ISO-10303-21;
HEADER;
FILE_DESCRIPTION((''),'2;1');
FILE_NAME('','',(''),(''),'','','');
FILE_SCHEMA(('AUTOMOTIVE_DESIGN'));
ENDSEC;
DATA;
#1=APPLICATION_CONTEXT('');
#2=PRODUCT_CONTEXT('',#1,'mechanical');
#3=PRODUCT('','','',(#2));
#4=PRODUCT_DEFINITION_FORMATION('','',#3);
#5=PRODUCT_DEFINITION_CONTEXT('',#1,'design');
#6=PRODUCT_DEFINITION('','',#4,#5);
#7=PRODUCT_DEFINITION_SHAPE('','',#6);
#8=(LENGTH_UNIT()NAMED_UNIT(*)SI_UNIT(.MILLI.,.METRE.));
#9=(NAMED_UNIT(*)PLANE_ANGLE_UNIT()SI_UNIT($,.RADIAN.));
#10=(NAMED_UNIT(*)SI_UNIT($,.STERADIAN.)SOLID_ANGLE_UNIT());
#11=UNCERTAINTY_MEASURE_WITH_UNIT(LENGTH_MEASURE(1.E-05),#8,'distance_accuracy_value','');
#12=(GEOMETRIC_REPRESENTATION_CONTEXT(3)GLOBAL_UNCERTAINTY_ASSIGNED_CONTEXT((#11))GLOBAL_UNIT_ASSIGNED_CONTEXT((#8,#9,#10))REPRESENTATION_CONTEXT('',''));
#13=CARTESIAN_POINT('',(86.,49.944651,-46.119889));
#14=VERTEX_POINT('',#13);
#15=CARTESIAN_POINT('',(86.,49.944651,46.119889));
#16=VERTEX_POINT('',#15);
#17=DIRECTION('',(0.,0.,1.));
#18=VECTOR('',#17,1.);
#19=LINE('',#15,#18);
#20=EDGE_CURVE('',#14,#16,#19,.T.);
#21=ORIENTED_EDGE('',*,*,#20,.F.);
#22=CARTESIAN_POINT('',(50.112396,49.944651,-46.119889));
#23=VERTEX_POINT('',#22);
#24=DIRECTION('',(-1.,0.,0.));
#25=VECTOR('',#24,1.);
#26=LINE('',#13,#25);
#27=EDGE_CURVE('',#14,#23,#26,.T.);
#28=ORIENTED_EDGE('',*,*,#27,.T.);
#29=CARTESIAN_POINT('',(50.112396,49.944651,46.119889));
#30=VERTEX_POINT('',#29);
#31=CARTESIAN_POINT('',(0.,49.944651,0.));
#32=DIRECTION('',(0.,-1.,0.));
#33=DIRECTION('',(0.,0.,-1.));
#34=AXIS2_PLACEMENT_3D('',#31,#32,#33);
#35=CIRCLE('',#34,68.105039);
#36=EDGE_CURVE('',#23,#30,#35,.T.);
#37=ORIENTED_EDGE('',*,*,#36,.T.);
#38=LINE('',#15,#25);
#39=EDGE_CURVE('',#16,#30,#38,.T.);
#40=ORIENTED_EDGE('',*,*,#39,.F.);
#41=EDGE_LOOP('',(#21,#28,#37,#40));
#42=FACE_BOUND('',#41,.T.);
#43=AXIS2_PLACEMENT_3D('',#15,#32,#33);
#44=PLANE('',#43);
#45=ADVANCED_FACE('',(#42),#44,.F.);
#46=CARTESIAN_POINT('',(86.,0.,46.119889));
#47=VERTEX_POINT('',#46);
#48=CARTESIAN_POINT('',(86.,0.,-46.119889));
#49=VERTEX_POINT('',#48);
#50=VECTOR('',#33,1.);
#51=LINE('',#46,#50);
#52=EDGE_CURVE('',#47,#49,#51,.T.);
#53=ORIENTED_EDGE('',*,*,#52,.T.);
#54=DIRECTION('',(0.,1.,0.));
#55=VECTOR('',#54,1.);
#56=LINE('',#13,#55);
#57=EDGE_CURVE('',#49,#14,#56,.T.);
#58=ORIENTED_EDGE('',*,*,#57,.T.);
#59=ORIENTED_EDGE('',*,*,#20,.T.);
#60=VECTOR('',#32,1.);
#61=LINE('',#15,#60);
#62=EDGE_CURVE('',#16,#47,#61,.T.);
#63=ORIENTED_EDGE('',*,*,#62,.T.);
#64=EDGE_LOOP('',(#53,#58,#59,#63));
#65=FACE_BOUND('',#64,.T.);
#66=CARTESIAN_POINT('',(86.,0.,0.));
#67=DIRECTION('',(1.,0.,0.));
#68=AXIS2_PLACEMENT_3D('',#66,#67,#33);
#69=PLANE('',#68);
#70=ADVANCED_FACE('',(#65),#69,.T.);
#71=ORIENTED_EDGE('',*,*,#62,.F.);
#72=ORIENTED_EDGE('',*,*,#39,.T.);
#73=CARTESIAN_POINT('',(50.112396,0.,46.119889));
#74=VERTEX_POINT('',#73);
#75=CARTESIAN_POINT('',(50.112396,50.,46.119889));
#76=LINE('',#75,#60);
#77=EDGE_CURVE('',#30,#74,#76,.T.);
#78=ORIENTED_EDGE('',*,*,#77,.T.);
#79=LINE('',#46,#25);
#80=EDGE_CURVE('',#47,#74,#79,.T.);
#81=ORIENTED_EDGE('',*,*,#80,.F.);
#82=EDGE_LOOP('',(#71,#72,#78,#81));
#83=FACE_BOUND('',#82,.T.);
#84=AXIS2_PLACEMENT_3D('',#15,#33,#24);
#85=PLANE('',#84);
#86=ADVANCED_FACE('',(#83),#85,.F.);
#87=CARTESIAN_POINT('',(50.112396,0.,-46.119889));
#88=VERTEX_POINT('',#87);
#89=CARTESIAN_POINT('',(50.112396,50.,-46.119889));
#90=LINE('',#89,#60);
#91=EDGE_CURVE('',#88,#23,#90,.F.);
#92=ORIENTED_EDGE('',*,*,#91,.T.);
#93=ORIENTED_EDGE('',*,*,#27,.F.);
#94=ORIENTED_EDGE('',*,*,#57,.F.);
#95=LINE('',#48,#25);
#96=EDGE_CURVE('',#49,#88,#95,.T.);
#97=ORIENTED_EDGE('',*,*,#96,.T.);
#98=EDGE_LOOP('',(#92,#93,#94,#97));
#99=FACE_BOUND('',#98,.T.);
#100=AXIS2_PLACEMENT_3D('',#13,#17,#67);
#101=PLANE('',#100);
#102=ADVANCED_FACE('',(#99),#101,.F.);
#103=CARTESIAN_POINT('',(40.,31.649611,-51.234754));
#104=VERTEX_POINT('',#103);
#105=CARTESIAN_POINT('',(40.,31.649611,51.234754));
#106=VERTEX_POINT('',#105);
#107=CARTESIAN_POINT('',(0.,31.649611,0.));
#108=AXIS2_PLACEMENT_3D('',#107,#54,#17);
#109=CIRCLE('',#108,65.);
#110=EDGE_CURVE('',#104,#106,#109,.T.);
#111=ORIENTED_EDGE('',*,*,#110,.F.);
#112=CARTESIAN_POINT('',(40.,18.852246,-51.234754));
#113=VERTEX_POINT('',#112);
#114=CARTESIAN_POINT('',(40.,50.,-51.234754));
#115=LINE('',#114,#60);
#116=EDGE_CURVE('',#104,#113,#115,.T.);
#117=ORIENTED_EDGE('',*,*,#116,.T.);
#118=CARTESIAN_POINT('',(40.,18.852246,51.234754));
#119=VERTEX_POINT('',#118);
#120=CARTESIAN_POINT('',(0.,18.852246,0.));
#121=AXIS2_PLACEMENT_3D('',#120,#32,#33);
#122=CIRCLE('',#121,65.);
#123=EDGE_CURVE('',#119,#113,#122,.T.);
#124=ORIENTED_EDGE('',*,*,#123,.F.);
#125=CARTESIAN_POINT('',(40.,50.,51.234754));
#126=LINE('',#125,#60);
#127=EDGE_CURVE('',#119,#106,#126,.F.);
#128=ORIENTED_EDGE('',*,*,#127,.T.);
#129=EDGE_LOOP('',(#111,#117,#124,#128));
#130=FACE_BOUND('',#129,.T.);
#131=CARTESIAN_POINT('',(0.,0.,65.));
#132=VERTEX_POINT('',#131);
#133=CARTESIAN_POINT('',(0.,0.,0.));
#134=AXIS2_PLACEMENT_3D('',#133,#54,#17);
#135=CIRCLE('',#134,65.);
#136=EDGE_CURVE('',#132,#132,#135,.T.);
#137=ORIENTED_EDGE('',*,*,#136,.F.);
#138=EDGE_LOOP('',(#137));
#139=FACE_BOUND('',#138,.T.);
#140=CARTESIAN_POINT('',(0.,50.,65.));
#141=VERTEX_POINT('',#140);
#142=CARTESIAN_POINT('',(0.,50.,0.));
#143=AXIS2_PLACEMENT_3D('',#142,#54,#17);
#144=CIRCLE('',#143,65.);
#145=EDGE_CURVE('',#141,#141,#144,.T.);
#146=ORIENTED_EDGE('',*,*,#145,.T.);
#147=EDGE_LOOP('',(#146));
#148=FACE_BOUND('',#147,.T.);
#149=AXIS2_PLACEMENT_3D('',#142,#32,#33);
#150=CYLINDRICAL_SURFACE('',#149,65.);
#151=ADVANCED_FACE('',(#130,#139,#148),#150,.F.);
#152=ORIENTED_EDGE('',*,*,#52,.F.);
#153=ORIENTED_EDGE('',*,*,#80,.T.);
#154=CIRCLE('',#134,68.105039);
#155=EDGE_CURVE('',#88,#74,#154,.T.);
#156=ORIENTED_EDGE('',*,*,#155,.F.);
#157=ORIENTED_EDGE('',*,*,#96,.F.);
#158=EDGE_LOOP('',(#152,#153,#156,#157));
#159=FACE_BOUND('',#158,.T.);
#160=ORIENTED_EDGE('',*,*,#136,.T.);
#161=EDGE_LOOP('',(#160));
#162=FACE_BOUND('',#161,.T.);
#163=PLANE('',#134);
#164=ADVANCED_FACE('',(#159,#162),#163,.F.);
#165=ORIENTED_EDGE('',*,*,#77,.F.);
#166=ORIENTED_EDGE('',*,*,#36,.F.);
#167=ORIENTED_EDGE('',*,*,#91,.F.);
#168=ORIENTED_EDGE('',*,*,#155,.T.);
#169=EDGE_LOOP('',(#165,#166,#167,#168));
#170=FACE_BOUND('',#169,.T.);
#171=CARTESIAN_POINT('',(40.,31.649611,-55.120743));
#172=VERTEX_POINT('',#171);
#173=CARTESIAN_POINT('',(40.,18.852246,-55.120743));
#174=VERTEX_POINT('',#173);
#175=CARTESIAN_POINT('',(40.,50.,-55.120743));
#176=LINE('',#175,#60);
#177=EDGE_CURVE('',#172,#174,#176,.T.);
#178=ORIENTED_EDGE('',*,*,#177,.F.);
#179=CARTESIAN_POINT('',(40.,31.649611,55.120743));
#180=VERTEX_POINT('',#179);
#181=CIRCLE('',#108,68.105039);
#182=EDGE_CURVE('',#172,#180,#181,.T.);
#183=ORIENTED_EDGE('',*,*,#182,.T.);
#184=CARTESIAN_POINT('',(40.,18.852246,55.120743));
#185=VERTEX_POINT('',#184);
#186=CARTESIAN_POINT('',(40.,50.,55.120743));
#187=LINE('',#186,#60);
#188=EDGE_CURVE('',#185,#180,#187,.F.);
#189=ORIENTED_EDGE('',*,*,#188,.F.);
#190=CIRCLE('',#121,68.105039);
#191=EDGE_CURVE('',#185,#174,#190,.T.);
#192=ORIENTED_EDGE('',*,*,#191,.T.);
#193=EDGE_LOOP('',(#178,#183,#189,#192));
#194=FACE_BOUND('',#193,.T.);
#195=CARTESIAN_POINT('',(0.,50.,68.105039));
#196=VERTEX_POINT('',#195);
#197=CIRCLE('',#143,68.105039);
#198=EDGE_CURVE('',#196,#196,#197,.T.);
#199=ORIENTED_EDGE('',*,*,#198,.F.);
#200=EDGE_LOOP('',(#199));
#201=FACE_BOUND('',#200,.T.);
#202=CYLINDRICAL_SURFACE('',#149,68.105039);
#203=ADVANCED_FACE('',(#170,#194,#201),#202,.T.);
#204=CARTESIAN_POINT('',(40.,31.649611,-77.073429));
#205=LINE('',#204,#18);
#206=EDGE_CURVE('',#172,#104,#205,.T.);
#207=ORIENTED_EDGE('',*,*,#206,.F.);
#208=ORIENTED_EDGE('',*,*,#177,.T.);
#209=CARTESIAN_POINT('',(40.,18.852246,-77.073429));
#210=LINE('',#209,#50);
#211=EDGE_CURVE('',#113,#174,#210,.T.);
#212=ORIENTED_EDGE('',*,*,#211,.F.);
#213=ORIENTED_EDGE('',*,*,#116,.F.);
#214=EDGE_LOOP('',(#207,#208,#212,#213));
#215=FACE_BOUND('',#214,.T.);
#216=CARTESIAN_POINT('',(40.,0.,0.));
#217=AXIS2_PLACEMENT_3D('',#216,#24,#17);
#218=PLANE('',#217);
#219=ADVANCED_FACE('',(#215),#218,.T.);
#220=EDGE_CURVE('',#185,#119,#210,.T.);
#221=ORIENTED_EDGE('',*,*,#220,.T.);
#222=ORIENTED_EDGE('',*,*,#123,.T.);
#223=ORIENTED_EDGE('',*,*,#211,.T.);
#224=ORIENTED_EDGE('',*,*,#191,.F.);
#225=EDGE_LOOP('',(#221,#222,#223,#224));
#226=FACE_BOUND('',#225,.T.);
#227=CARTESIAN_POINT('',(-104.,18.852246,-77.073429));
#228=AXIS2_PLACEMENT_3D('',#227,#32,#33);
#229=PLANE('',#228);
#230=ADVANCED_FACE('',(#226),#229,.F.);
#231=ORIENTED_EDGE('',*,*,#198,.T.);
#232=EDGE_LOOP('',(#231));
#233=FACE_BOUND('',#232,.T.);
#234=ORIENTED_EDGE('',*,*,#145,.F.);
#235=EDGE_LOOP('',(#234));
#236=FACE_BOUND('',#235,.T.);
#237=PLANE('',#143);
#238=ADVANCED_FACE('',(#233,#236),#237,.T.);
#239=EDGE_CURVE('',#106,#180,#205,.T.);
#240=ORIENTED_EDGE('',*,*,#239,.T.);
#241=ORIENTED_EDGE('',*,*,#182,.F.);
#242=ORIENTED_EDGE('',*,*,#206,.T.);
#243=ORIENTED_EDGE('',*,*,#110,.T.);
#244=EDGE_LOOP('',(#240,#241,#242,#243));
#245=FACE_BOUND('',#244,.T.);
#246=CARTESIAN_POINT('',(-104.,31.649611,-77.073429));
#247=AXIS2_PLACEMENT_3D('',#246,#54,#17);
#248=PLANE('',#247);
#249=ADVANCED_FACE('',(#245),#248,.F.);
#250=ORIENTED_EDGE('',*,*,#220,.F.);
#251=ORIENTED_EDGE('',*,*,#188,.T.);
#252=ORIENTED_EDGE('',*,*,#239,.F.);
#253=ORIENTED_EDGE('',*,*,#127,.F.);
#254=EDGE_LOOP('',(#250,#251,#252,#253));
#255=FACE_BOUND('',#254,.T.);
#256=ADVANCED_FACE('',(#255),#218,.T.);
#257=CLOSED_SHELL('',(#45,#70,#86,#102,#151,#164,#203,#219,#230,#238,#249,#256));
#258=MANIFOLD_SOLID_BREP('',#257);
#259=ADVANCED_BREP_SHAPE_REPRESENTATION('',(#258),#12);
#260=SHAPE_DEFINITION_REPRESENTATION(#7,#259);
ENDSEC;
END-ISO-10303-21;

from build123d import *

# Parameters (mm, degrees)
CROQUIS1_R              = 68.105038976
CROQUIS1_R_2            = 65
SALIENTE_EXTRUIR1_DEPTH = 50
CROQUIS2_W              = 92.239777398
CROQUIS2_H              = 49.94465134
SALIENTE_EXTRUIR2_DEPTH = 86
CROQUIS3_R              = 65
CORTAR_EXTRUIR1_DEPTH   = 86
CROQUIS4_W              = 159.378049442
CROQUIS4_H              = 12.797364704
CORTAR_EXTRUIR2_DEPTH   = 144


with BuildPart() as part:
    # Croquis1 → Saliente-Extruir1 (new body)
    with BuildSketch(Plane(origin=(0, 0, 0), x_dir=(1, 0, 0), z_dir=(0, 1, 0))):
        Circle(CROQUIS1_R)
        Circle(CROQUIS1_R_2, mode=Mode.SUBTRACT)
    extrude(amount=SALIENTE_EXTRUIR1_DEPTH)

    # Croquis2 → Saliente-Extruir2 (add)
    with BuildSketch(Plane(origin=(0, 0, 0), x_dir=(0, 0, -1), z_dir=(1, 0, 0))):
        with Locations((0, 24.97232567)):
            Rectangle(CROQUIS2_W, CROQUIS2_H)
    extrude(amount=SALIENTE_EXTRUIR2_DEPTH)

    # Croquis3 → Cortar-Extruir1 (cut)
    with BuildSketch(Plane(origin=(0, 50, 0), x_dir=(1, 0, 0), z_dir=(0, 1, 0))):
        Circle(CROQUIS3_R)
    extrude(amount=-CORTAR_EXTRUIR1_DEPTH, mode=Mode.SUBTRACT)

    # Croquis4 → Cortar-Extruir2 (cut)
    with BuildSketch(Plane(origin=(40, 0, 0), x_dir=(0, 0, -1), z_dir=(1, 0, 0))):
        with Locations((-2.615595337, 25.25092872)):
            Rectangle(CROQUIS4_W, CROQUIS4_H)
    extrude(amount=-CORTAR_EXTRUIR2_DEPTH, mode=Mode.SUBTRACT)


solid = part.part
